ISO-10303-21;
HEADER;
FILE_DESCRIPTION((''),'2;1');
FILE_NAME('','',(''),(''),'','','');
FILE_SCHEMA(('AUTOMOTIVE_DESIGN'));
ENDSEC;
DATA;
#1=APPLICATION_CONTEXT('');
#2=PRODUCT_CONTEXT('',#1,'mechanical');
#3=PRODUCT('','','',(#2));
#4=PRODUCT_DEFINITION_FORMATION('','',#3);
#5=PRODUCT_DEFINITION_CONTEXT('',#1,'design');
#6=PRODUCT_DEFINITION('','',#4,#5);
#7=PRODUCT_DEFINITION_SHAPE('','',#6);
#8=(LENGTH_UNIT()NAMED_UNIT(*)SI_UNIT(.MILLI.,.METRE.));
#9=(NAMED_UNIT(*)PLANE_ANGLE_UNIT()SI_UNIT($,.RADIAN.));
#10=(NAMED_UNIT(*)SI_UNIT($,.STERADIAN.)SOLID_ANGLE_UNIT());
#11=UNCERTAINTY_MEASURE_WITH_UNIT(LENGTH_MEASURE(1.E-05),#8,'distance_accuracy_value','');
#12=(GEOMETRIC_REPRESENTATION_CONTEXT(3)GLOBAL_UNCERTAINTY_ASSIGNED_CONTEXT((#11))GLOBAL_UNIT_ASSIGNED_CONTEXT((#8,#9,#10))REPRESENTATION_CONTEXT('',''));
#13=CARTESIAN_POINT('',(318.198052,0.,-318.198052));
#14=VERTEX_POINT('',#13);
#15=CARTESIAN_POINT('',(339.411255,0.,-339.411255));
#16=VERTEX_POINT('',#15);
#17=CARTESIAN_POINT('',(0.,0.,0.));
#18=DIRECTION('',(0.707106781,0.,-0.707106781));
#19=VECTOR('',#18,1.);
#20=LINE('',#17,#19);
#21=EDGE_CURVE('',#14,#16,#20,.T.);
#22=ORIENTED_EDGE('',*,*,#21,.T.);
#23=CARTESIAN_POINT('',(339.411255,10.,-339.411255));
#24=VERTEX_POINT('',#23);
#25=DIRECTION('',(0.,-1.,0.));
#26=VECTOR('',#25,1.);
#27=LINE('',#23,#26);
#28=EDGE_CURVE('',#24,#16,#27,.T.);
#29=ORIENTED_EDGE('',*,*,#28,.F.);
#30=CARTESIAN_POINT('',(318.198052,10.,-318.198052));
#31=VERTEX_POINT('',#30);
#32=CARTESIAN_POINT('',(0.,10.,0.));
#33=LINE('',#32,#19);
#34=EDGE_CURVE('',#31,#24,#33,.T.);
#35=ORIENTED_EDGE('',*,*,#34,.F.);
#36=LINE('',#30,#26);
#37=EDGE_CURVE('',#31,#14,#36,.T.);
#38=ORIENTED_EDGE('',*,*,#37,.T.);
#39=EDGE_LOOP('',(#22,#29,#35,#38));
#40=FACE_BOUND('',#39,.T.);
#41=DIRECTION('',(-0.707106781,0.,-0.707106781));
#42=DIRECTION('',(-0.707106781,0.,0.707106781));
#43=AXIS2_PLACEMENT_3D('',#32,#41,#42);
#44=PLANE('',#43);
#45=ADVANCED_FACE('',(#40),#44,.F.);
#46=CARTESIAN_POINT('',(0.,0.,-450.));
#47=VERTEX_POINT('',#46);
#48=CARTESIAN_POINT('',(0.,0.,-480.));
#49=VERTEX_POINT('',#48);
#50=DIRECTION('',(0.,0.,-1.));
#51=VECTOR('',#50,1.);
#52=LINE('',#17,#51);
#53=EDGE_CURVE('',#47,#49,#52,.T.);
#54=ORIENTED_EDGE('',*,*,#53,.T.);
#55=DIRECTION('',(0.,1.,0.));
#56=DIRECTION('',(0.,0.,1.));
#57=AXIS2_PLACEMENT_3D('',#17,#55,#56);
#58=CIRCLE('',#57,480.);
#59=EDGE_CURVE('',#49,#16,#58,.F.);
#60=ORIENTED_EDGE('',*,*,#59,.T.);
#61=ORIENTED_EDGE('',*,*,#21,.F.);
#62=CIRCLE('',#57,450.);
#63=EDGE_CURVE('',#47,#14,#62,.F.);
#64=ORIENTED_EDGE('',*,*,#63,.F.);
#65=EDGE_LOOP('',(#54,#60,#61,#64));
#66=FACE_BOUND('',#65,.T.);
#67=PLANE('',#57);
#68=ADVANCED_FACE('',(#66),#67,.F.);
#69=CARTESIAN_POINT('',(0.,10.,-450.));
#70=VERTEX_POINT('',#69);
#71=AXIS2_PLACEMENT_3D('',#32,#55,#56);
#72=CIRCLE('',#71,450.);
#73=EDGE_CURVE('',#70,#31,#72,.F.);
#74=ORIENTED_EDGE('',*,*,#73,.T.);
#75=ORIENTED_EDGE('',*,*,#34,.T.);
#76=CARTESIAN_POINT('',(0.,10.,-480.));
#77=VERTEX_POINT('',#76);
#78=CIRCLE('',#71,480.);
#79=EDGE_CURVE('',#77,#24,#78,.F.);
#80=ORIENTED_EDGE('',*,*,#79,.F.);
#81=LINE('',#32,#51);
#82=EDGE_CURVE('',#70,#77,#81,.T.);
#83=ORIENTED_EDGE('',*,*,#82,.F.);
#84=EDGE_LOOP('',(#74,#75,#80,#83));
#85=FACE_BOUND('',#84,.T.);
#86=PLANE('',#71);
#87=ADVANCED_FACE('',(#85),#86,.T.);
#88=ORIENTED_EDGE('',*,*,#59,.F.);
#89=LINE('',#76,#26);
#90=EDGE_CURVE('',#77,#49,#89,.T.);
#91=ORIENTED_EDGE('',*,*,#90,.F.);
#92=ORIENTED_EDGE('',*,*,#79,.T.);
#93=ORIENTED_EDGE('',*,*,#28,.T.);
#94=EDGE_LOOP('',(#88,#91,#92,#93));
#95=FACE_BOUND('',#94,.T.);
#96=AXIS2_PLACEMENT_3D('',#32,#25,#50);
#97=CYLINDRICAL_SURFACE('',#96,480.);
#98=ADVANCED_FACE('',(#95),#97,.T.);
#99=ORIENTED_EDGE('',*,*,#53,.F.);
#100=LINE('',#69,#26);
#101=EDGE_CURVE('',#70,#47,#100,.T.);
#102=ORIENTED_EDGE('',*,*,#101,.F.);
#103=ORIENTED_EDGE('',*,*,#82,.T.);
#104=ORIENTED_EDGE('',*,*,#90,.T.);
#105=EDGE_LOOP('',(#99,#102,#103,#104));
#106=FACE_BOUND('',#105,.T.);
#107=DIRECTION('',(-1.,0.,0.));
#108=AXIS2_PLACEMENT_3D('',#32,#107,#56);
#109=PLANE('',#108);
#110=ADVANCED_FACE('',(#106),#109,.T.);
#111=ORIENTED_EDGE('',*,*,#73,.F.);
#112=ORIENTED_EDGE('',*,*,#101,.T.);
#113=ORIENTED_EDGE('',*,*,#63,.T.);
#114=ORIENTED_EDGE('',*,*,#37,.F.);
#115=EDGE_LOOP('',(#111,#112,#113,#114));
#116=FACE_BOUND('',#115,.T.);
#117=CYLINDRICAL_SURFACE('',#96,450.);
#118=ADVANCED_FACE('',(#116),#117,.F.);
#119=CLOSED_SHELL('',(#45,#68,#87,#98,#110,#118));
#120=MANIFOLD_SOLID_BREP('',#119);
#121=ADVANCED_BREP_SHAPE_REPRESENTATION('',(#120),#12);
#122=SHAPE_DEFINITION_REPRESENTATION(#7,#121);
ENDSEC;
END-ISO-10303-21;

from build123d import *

# Parameters (mm, degrees)
BOSS_EXTRUDE1_DEPTH = 10


with BuildPart() as part:
    # Sketch1 → Boss-Extrude1 (new body)
    with BuildSketch(Plane(origin=(0, 0, 0), x_dir=(1, 0, 0), z_dir=(0, 1, 0))):
        with BuildLine():
            ThreePointArc((0, 480), (183.688047535, 443.462175605), (339.41125497, 339.41125497))
            Line((339.41125497, 339.41125497), (318.198051534, 318.198051534))
            ThreePointArc((318.198051534, 318.198051534), (172.207544564, 415.74578963), (0, 450))
            Line((0, 450), (0, 480))
        make_face()
    extrude(amount=BOSS_EXTRUDE1_DEPTH)


solid = part.part
